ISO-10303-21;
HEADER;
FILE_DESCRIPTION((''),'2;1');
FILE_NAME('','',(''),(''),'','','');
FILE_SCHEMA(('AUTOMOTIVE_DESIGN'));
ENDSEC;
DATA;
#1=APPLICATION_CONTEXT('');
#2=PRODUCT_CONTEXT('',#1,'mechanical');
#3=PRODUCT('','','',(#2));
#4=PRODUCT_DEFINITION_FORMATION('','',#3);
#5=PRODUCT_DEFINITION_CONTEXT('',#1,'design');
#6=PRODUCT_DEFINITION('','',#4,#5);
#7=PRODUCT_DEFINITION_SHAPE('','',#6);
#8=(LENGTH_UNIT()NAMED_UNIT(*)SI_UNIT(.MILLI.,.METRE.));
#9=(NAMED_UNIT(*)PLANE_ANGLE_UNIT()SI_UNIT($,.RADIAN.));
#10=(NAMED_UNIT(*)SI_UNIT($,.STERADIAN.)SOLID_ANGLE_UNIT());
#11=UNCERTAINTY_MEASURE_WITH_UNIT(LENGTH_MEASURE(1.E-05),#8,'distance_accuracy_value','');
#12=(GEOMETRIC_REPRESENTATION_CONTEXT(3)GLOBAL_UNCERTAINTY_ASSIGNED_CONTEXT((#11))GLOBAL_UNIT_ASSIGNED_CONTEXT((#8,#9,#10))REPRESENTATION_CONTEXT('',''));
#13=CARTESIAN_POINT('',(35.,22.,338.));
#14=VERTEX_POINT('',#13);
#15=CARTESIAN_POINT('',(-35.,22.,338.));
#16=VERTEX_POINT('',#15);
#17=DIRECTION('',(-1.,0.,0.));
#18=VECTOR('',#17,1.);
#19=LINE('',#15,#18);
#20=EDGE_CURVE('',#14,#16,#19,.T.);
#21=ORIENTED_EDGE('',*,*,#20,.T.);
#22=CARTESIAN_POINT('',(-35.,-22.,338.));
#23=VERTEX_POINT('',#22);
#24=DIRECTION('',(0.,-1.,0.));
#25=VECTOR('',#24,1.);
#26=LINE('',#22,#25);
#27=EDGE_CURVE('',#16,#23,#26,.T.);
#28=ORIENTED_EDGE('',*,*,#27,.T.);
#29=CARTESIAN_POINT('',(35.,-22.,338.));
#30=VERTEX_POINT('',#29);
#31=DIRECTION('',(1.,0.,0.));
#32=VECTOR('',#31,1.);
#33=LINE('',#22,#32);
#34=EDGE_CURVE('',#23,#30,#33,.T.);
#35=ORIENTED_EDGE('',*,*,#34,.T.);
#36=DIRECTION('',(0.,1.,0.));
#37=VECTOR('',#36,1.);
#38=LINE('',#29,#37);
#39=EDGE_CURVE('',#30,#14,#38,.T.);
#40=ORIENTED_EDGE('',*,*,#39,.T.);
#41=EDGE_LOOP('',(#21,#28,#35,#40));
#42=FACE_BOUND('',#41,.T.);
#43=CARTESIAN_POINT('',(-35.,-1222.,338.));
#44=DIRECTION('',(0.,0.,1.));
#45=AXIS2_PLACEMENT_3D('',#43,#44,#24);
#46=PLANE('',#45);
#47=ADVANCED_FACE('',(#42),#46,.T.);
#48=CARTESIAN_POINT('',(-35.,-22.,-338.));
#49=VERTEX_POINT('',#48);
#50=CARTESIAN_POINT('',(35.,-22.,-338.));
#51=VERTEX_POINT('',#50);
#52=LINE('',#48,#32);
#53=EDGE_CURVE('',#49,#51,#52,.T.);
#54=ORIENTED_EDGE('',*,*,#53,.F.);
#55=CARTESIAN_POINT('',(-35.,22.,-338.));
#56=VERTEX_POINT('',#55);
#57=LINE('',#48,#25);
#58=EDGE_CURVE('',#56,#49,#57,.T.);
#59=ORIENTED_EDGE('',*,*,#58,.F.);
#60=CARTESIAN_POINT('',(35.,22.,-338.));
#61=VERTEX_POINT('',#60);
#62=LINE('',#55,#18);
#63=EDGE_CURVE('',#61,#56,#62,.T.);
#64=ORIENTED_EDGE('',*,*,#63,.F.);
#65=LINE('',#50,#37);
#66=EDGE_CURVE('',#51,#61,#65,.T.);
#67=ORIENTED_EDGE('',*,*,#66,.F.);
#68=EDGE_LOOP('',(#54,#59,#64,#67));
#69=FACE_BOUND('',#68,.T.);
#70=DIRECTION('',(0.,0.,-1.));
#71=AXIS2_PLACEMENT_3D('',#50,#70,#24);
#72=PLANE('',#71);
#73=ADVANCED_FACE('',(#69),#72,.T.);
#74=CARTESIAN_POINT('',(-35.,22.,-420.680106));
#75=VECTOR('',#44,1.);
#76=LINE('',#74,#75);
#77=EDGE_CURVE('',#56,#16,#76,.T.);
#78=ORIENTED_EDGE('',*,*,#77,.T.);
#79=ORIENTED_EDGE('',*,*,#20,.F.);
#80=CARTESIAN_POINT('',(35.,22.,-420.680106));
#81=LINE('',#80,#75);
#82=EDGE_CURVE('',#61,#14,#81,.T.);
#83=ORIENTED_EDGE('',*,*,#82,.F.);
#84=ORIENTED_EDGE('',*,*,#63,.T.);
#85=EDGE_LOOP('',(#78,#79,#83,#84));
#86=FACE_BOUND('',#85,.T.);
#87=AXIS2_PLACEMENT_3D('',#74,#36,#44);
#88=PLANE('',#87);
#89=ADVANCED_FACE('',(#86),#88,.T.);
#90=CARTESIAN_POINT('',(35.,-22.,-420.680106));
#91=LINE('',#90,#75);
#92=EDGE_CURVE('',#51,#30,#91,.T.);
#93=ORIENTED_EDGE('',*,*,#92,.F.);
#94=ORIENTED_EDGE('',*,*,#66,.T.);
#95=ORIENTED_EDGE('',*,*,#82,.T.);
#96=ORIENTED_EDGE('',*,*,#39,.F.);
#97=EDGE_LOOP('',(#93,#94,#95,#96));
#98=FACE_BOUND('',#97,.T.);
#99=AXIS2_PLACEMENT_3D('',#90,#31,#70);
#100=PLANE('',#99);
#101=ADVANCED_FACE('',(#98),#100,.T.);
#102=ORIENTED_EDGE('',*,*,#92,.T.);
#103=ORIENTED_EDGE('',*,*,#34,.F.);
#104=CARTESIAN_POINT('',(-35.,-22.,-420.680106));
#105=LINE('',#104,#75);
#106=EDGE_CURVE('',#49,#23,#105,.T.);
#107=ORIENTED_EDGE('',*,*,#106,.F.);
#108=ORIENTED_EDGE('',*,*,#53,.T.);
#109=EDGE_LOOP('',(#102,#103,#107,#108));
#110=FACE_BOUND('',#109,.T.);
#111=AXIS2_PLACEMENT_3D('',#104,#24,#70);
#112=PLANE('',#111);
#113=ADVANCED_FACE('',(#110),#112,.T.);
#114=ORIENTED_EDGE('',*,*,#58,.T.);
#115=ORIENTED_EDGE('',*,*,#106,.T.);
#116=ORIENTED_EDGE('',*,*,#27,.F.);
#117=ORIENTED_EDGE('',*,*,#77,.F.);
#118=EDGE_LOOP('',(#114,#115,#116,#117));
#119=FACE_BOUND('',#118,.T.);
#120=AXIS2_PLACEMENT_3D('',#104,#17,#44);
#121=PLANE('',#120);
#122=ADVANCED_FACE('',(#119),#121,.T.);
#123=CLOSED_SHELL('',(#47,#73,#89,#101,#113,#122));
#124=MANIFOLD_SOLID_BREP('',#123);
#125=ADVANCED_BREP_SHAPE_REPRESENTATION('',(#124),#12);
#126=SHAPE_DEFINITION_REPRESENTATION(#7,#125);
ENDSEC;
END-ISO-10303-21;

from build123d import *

# Parameters (mm, degrees)
SKETCH1_W           = 70
SKETCH1_H           = 44
BOSS_EXTRUDE1_DEPTH = 338


with BuildPart() as part:
    # Sketch1 → Boss-Extrude1 (new, symmetric)
    with BuildSketch(Plane.XY):
        Rectangle(SKETCH1_W, SKETCH1_H)
    extrude(amount=BOSS_EXTRUDE1_DEPTH, both=True)


solid = part.part
